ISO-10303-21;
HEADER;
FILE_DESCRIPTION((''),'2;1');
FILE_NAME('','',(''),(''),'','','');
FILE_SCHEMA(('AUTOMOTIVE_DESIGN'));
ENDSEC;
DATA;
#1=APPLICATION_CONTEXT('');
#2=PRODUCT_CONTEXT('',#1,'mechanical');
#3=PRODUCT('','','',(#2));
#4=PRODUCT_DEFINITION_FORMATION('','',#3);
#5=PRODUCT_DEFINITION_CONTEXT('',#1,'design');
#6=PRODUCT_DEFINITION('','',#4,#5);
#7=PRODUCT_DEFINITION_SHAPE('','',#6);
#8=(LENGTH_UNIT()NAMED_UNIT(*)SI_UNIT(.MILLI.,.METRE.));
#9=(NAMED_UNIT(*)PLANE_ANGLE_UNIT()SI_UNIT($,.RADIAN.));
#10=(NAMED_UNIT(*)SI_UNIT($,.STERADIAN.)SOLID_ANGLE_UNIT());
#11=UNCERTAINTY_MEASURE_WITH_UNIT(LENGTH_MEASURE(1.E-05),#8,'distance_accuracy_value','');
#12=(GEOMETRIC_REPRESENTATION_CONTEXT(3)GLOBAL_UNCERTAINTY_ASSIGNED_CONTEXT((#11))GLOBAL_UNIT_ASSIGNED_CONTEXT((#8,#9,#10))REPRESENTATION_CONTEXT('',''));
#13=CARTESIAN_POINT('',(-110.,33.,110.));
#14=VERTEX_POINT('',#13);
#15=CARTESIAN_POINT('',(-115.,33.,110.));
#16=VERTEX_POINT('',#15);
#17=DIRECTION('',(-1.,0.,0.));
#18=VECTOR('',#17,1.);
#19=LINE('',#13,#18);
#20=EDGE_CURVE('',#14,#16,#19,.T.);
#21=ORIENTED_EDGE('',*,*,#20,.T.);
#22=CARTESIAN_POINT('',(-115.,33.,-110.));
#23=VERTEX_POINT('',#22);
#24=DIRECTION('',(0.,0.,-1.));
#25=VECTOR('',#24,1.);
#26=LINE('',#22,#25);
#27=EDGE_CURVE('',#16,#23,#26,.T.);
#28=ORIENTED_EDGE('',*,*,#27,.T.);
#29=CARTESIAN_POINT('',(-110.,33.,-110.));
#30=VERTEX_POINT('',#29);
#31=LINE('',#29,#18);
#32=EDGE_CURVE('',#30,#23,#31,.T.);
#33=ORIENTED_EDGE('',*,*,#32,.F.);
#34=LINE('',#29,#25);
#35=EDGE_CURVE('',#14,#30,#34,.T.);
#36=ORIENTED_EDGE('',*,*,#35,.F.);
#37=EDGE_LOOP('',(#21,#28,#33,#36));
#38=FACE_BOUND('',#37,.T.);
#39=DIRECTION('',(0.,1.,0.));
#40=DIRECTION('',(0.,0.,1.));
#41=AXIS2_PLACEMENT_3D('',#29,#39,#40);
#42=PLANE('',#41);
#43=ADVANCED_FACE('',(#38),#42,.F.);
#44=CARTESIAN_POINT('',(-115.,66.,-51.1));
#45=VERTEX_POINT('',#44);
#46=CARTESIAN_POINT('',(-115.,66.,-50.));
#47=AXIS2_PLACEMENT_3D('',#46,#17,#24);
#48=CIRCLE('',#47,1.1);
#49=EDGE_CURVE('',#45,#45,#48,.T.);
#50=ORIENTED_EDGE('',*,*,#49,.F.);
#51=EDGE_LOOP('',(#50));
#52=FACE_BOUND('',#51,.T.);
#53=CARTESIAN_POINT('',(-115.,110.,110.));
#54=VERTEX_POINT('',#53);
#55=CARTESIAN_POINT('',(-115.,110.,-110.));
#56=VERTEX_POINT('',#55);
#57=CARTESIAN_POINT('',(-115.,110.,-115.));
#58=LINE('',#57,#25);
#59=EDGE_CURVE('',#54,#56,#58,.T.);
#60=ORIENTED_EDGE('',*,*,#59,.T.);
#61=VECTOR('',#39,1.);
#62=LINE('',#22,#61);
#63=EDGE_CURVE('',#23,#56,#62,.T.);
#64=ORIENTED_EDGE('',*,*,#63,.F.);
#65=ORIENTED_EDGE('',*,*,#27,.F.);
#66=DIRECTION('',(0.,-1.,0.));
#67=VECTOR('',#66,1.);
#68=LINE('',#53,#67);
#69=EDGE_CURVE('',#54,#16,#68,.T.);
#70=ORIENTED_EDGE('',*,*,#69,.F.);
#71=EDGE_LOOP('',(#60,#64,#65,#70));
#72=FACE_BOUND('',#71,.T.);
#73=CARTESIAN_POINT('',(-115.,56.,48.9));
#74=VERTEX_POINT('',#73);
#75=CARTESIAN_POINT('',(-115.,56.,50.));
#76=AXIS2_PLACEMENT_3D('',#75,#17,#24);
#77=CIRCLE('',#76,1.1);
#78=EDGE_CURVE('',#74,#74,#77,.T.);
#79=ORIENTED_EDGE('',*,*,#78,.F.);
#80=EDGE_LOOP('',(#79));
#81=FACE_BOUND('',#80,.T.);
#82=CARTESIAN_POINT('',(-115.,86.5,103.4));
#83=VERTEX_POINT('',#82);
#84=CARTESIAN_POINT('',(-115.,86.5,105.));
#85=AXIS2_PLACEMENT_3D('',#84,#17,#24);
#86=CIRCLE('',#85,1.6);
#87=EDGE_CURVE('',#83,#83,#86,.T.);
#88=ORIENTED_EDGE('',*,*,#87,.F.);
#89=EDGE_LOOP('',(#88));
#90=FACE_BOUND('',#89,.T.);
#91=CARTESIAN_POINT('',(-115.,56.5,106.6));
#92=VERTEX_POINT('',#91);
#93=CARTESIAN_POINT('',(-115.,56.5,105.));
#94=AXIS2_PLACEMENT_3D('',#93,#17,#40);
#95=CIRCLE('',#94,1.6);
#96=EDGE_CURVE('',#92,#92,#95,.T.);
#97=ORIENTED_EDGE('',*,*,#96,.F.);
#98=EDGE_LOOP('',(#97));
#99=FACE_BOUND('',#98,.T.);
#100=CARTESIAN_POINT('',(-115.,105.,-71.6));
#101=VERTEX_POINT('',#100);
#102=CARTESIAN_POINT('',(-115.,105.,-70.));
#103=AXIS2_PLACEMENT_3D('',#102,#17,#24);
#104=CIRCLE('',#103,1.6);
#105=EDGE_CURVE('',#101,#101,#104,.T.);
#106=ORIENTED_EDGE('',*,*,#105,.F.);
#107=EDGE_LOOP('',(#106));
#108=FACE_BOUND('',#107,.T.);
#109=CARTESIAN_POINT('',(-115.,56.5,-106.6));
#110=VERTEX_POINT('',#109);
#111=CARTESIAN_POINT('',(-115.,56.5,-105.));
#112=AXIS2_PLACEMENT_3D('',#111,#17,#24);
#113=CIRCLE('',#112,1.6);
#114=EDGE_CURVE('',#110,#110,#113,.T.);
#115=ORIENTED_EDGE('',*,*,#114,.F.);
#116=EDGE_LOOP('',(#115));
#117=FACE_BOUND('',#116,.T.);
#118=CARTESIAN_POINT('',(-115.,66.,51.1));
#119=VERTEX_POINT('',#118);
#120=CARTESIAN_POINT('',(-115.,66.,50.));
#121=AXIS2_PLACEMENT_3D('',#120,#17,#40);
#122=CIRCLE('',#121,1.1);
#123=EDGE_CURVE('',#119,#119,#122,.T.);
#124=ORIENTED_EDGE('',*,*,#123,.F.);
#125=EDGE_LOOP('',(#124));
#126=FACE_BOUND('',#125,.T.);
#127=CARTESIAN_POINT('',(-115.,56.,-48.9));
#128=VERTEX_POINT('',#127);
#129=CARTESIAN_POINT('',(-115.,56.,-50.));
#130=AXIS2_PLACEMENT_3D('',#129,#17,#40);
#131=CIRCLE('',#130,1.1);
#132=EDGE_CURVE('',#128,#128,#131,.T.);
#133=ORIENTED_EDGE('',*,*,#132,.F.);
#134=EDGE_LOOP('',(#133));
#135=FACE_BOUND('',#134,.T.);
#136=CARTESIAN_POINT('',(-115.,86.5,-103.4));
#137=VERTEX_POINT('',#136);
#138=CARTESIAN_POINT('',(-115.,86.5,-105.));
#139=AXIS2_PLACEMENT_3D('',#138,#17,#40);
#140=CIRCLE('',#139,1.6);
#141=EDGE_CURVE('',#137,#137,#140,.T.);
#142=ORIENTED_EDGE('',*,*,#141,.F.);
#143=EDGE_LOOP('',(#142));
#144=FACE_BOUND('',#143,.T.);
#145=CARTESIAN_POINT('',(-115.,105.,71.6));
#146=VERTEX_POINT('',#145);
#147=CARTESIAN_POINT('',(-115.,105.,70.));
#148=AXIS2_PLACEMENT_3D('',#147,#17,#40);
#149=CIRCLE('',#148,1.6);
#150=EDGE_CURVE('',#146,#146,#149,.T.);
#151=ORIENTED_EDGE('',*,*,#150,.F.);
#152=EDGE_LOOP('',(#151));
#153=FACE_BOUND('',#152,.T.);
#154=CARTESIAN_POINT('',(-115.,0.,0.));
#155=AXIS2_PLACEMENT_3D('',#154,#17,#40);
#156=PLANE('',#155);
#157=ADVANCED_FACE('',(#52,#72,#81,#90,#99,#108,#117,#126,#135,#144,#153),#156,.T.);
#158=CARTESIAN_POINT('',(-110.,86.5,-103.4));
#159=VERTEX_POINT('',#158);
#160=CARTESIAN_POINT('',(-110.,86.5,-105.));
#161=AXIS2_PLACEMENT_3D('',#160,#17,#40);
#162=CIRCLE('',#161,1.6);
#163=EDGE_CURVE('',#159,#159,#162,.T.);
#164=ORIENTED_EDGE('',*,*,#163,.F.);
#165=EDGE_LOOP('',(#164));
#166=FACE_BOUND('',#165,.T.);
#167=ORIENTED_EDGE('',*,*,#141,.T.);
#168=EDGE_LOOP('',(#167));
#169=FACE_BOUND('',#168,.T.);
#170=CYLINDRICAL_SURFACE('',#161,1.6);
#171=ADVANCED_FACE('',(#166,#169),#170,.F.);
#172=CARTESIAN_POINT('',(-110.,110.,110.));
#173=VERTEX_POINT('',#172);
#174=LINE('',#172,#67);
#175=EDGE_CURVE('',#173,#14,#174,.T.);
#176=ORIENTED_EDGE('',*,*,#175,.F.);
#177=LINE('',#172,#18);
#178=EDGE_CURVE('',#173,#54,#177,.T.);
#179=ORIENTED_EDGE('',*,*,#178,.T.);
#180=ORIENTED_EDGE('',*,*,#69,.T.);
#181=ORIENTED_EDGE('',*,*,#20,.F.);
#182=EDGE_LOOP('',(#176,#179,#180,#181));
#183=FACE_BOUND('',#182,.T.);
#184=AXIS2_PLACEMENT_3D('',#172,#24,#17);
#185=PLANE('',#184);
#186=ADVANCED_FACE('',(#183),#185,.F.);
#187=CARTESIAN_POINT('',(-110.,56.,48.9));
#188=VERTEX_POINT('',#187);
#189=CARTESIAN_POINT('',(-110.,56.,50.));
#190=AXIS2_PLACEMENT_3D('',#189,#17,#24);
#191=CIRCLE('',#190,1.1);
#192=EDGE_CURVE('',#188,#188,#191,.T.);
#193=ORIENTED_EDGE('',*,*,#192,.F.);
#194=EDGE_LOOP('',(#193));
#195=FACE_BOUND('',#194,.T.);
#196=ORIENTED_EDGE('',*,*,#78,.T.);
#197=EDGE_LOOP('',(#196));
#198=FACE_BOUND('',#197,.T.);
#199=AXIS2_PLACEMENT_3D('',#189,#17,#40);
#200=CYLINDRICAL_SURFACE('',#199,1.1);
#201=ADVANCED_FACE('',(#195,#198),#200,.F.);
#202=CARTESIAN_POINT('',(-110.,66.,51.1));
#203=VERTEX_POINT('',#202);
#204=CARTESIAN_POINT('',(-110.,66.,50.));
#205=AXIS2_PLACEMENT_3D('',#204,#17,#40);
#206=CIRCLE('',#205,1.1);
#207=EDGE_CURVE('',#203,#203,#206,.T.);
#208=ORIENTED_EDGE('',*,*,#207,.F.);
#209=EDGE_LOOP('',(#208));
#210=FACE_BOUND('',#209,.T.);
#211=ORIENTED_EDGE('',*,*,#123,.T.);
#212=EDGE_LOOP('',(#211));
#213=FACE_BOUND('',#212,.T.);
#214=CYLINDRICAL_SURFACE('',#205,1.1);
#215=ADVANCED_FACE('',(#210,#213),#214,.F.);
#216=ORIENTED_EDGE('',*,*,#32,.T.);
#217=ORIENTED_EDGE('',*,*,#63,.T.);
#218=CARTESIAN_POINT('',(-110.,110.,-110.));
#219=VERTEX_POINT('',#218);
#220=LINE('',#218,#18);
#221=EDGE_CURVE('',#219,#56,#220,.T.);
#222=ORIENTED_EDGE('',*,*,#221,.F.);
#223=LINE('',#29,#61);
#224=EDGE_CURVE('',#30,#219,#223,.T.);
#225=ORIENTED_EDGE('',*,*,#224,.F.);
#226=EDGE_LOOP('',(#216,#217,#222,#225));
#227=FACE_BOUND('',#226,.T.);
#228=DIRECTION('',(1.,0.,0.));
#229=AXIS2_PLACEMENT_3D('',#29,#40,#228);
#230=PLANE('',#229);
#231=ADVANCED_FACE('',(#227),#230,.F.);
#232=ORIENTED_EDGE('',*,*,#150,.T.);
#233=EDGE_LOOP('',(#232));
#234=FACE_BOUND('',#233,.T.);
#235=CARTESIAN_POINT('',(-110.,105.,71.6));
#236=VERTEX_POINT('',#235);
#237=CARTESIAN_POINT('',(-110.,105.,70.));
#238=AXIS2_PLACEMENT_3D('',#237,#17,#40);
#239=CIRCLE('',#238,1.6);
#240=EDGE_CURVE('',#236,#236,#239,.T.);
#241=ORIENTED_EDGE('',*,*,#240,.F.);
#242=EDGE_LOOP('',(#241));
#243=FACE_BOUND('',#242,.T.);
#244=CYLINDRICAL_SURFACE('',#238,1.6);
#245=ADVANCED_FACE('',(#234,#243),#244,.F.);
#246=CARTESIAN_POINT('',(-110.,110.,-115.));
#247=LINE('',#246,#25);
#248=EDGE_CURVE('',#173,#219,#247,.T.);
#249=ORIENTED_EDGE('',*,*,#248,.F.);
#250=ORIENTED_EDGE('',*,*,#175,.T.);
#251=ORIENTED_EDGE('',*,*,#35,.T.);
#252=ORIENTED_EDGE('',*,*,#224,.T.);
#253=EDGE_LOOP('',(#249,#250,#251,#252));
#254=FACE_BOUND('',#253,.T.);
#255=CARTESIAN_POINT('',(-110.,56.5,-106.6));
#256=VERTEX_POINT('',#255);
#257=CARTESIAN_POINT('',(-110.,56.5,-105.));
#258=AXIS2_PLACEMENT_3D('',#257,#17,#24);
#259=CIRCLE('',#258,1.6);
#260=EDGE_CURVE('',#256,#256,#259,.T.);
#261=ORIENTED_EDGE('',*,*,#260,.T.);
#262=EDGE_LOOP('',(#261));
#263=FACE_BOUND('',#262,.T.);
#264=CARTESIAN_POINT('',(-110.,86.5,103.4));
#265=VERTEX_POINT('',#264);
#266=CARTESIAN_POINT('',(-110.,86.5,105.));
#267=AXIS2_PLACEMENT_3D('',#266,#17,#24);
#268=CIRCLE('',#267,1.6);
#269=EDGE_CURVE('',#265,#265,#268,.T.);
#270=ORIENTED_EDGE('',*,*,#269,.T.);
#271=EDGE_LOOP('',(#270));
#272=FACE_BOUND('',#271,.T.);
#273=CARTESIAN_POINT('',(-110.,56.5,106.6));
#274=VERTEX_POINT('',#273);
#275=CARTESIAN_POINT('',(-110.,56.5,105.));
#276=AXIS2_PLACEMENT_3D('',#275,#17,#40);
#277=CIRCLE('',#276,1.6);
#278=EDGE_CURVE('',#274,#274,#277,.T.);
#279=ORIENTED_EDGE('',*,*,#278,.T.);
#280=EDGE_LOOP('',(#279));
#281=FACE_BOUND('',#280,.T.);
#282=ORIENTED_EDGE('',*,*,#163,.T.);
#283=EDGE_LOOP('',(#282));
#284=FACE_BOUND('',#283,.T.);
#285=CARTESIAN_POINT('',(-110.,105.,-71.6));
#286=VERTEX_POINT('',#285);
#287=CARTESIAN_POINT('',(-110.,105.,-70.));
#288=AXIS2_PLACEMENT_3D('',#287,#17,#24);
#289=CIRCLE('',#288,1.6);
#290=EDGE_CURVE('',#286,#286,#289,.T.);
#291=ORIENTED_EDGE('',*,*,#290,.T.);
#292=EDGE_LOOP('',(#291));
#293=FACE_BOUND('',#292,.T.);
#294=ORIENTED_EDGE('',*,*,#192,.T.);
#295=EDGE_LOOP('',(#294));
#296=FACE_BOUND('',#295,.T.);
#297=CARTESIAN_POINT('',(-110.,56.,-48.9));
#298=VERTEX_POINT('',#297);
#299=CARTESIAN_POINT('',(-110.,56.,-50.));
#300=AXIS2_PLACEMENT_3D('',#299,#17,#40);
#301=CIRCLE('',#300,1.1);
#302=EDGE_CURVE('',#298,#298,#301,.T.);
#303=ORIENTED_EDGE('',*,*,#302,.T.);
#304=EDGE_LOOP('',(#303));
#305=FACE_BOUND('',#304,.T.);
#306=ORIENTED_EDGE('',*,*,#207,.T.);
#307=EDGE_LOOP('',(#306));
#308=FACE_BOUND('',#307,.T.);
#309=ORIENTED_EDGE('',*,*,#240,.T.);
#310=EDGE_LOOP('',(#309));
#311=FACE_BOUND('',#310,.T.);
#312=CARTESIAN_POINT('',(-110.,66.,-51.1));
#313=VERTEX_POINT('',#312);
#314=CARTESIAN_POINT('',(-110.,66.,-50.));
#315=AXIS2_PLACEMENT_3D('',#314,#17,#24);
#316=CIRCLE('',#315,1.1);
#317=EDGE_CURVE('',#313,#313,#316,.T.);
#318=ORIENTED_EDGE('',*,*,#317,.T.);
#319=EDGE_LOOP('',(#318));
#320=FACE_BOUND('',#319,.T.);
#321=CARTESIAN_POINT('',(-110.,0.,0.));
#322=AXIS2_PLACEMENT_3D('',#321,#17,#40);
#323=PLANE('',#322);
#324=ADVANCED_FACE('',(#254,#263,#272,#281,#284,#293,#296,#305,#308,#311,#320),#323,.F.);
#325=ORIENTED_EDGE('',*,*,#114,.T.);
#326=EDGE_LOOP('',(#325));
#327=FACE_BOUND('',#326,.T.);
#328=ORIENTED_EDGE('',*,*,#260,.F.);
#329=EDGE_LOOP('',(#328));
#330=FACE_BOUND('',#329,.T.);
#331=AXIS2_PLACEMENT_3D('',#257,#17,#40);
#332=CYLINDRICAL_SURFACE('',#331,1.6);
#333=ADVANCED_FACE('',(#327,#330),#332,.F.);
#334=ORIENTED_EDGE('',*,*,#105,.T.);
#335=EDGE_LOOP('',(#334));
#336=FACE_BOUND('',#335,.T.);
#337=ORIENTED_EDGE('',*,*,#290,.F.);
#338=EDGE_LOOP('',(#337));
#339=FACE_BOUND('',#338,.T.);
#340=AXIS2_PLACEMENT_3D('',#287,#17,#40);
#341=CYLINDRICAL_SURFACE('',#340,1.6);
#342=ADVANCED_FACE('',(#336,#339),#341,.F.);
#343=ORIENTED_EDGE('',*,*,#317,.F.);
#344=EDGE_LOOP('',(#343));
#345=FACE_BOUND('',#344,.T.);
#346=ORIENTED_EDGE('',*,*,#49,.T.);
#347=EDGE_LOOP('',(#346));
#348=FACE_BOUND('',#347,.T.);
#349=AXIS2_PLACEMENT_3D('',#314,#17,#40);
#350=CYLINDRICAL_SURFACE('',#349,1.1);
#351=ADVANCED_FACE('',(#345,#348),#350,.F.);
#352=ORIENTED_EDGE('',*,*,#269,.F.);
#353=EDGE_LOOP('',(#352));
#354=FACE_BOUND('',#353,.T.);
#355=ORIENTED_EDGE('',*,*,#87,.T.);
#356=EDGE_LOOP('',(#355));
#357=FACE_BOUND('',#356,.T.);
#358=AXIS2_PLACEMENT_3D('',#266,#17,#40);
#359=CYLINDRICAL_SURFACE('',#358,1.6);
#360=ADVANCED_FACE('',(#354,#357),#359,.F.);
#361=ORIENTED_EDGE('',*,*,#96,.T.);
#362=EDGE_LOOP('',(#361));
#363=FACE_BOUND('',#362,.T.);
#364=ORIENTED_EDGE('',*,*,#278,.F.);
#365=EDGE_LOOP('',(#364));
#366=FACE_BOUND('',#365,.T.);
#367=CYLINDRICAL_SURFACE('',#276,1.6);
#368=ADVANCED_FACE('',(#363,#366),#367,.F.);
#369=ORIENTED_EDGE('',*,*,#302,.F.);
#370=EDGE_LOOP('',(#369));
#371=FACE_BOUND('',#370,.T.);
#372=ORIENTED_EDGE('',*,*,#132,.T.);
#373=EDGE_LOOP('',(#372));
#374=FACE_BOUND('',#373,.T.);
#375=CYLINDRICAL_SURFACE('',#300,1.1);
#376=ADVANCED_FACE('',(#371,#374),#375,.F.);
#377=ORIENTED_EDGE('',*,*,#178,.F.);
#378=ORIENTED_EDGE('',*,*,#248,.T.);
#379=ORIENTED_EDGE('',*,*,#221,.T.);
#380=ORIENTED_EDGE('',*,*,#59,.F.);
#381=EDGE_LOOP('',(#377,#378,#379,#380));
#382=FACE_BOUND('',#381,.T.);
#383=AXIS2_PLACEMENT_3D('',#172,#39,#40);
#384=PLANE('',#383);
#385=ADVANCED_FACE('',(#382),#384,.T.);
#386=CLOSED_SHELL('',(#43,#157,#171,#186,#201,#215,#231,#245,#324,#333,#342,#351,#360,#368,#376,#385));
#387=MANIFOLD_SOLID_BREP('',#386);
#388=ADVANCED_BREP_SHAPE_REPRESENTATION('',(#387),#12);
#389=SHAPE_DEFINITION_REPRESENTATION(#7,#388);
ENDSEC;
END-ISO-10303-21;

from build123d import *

# Parameters (mm, degrees)
SKETCH1_W                  = 5
SKETCH1_H                  = 110
BOSS_EXTRUDE1_DEPTH        = 120
BOSS_EXTRUDE1_DEPTH_BACK   = 110
BOSS_EXTRUDE1_2_DEPTH      = 120
BOSS_EXTRUDE1_2_DEPTH_BACK = 110
SKETCH2_W                  = 5
SKETCH2_H                  = 37
BOSS_EXTRUDE2_DEPTH        = 50
SKETCH3_W                  = 220
SKETCH3_H                  = 5
BOSS_EXTRUDE3_DEPTH        = 50
SKETCH4_W                  = 230
SKETCH4_H                  = 73
BOSS_EXTRUDE6_DEPTH        = 5
CUT_EXTRUDE3_DEPTH         = 231
SKETCH5_W                  = 348
SKETCH5_H                  = 227
SKETCH5_W_2                = 328
SKETCH5_H_2                = 207
BOSS_EXTRUDE7_DEPTH        = 5
BOSS_EXTRUDE8_DEPTH        = 59
FILLET5_R                  = 15
BOSS_EXTRUDE9_DEPTH        = 5
BOSS_EXTRUDE10_DEPTH       = 5
FILLET6_R                  = 3
SKETCH14_W                 = 102.087252512
SKETCH14_H                 = 394.36321675
CUT_EXTRUDE4_DEPTH         = 165.048773235
CUT_EXTRUDE7_DEPTH         = 6
SKETCH17_R                 = 1.1
HOLES_FOR_PART_4_DEPTH     = 6
SKETCH18_R                 = 1.6
CUT_EXTRUDE9_DEPTH         = 6


with BuildPart() as part:
    # Sketch1 → Boss-Extrude1 (new body, two sides)
    with BuildSketch(Plane(origin=(0, 0, 0), x_dir=(0, 0, -1), z_dir=(1, 0, 0))) as boss_extrude1_sk:
        with Locations((-112.5, 55)):
            Rectangle(SKETCH1_W, SKETCH1_H)
    extrude(amount=BOSS_EXTRUDE1_DEPTH)
    extrude(boss_extrude1_sk.sketch, amount=-BOSS_EXTRUDE1_DEPTH_BACK)



with BuildPart() as body_2:
    # Sketch1 → Boss-Extrude1 2 (new body, two sides)
    with BuildSketch(Plane(origin=(0, 0, 0), x_dir=(0, 0, -1), z_dir=(1, 0, 0))) as boss_extrude1_2_sk:
        with Locations((112.5, 55)):
            Rectangle(SKETCH1_W, SKETCH1_H)
    extrude(amount=BOSS_EXTRUDE1_2_DEPTH)
    extrude(boss_extrude1_2_sk.sketch, amount=-BOSS_EXTRUDE1_2_DEPTH_BACK)


with BuildPart() as part_1:
    add(part.part)

    add(body_2.part)  # Boss-Extrude2 merges body 2
    # Sketch2 → Boss-Extrude2 (add)
    with BuildSketch(Plane.ZY.offset(110)):
        with Locations((-112.5, 18.5)):
            Rectangle(SKETCH2_W, SKETCH2_H)
        with Locations((112.5, 18.5)):
            Rectangle(SKETCH2_W, SKETCH2_H)
    extrude(amount=BOSS_EXTRUDE2_DEPTH)

    # Sketch3 → Boss-Extrude3 (add)
    with BuildSketch(Plane.ZY.offset(160)):
        with Locations((0, 34.5)):
            Rectangle(SKETCH3_W, SKETCH3_H)
    extrude(amount=-BOSS_EXTRUDE3_DEPTH)

    # Sketch4 → Boss-Extrude6 (add)
    with BuildSketch(Plane.ZY.offset(110)):
        with Locations((0, 73.5)):
            Rectangle(SKETCH4_W, SKETCH4_H)
    extrude(amount=BOSS_EXTRUDE6_DEPTH)

    # Sketch9 → Cut-Extrude3 (cut, through all)
    with BuildSketch(Plane.XY.offset(115)):
        Polygon((120, 110), (116.464466094, 106.464466094), (120, 102.928932188), align=None)
    extrude(amount=-CUT_EXTRUDE3_DEPTH, mode=Mode.SUBTRACT)

    # Sketch10 → Boss-Extrude8 (add)
    with BuildSketch(Plane.XY.offset(115)):
        Polygon((120, 110), (111.464466094, 110), (111.464466094, 0), (120, 0), (120, 102.928932188), (116.464466094, 106.464466094), align=None)
    boss_extrude8 = extrude(amount=BOSS_EXTRUDE8_DEPTH)

    # Mirror3: Boss-Extrude8 across plane
    add(boss_extrude8.mirror(Plane.XY))

    # Fillet5
    fillet5_edges = [part_1.edges().sort_by_distance(p)[0] for p in [
        (111.464466094, 55, 115),
        (111.464466094, 55, -115),
    ]]
    fillet(fillet5_edges, radius=FILLET5_R)

    # Fillet6
    fillet6_edges = [part_1.edges().sort_by_distance(p)[0] for p in [
        (111.464466094, 55, 174),
        (111.464466094, 55, -174),
    ]]
    fillet(fillet6_edges, radius=FILLET6_R)


with BuildPart() as body_2_2:
    # Sketch5 → Boss-Extrude7 (new body)
    with BuildSketch(Plane(origin=(115, 115, 0), x_dir=(0, 0, 1), z_dir=(-0.707106781, -0.707106781, 0))):
        with Locations((0, -120.571067812)):
            Rectangle(SKETCH5_W, SKETCH5_H)
        with Locations((0, -120.571067812)):
            Rectangle(SKETCH5_W_2, SKETCH5_H_2, mode=Mode.SUBTRACT)
    extrude(amount=BOSS_EXTRUDE7_DEPTH)


with BuildPart() as body_3:
    # Sketch12 → Boss-Extrude9 (new body)
    with BuildSketch(Plane.XY.offset(174)):
        Polygon((120, 0), (222.928932188, 0), (120, 102.928932188), align=None)
    extrude(amount=-BOSS_EXTRUDE9_DEPTH)


with BuildPart() as body_4:
    # Sketch13 → Boss-Extrude10 (new body)
    with BuildSketch(Plane(origin=(0, 0, -174), x_dir=(-1, 0, 0), z_dir=(0, 0, -1))):
        Polygon((-120, 102.928932188), (-120, 0), (-222.928932188, 0), align=None)
    extrude(amount=-BOSS_EXTRUDE10_DEPTH)


with BuildPart() as cut_extrude4_tool:
    # Sketch14 → Cut-Extrude4 (new body, through all)
    with BuildSketch(Plane(origin=(0, 110, 0), x_dir=(1, 0, 0), z_dir=(0, 1, 0))):
        Polygon((-110, 193.761157723), (-110, -200.602059027), (365.223312192, -200.602059027), (365.223312192, -115), (365.223312192, 105), (365.223312192, 193.761157723), align=None)
        with Locations((-166.043626256, -3.420450652)):
            Rectangle(SKETCH14_W, SKETCH14_H)
    extrude(amount=-CUT_EXTRUDE4_DEPTH)


with BuildPart() as part_2:
    add(part_1.part)

    # Cut-Extrude4: cut by cut_extrude4_tool
    add(cut_extrude4_tool.part, mode=Mode.SUBTRACT)

    # Sketch16 → Cut-Extrude7 (cut, through all)
    with BuildSketch(Plane.ZY.offset(115)):
        Polygon((-115, 0), (115, 0), (115, 32), (115, 110), (110, 110), (110, 33), (-110, 33), (-110, 110), (-115, 110), (-115, 32), align=None)
    extrude(amount=-CUT_EXTRUDE7_DEPTH, mode=Mode.SUBTRACT)

    # Sketch17 → Holes for part 4 (cut, through all)
    with BuildSketch(Plane.ZY.offset(115)):
        with Locations((50, 66)):
            Circle(SKETCH17_R)
        with Locations((50, 56)):
            Circle(SKETCH17_R)
        with Locations((-50, 56)):
            Circle(SKETCH17_R)
        with Locations((-50, 66)):
            Circle(SKETCH17_R)
    extrude(amount=-HOLES_FOR_PART_4_DEPTH, mode=Mode.SUBTRACT)

    # Sketch18 → Cut-Extrude9 (cut, through all)
    with BuildSketch(Plane.ZY.offset(115)):
        with Locations((105, 56.5)):
            Circle(SKETCH18_R)
        with Locations((105, 86.5)):
            Circle(SKETCH18_R)
        with Locations((-105, 86.5)):
            Circle(SKETCH18_R)
        with Locations((-105, 56.5)):
            Circle(SKETCH18_R)
        with Locations((70, 105)):
            Circle(SKETCH18_R)
        with Locations((-70, 105)):
            Circle(SKETCH18_R)
    extrude(amount=-CUT_EXTRUDE9_DEPTH, mode=Mode.SUBTRACT)


with BuildPart() as body_2_2_1:
    add(body_2_2.part)

    # Cut-Extrude4: cut by cut_extrude4_tool
    add(cut_extrude4_tool.part, mode=Mode.SUBTRACT)


with BuildPart() as body_3_1:
    add(body_3.part)

    # Cut-Extrude4: cut by cut_extrude4_tool
    add(cut_extrude4_tool.part, mode=Mode.SUBTRACT)


with BuildPart() as body_4_1:
    add(body_4.part)

    # Cut-Extrude4: cut by cut_extrude4_tool
    add(cut_extrude4_tool.part, mode=Mode.SUBTRACT)


solid = part_2.part
